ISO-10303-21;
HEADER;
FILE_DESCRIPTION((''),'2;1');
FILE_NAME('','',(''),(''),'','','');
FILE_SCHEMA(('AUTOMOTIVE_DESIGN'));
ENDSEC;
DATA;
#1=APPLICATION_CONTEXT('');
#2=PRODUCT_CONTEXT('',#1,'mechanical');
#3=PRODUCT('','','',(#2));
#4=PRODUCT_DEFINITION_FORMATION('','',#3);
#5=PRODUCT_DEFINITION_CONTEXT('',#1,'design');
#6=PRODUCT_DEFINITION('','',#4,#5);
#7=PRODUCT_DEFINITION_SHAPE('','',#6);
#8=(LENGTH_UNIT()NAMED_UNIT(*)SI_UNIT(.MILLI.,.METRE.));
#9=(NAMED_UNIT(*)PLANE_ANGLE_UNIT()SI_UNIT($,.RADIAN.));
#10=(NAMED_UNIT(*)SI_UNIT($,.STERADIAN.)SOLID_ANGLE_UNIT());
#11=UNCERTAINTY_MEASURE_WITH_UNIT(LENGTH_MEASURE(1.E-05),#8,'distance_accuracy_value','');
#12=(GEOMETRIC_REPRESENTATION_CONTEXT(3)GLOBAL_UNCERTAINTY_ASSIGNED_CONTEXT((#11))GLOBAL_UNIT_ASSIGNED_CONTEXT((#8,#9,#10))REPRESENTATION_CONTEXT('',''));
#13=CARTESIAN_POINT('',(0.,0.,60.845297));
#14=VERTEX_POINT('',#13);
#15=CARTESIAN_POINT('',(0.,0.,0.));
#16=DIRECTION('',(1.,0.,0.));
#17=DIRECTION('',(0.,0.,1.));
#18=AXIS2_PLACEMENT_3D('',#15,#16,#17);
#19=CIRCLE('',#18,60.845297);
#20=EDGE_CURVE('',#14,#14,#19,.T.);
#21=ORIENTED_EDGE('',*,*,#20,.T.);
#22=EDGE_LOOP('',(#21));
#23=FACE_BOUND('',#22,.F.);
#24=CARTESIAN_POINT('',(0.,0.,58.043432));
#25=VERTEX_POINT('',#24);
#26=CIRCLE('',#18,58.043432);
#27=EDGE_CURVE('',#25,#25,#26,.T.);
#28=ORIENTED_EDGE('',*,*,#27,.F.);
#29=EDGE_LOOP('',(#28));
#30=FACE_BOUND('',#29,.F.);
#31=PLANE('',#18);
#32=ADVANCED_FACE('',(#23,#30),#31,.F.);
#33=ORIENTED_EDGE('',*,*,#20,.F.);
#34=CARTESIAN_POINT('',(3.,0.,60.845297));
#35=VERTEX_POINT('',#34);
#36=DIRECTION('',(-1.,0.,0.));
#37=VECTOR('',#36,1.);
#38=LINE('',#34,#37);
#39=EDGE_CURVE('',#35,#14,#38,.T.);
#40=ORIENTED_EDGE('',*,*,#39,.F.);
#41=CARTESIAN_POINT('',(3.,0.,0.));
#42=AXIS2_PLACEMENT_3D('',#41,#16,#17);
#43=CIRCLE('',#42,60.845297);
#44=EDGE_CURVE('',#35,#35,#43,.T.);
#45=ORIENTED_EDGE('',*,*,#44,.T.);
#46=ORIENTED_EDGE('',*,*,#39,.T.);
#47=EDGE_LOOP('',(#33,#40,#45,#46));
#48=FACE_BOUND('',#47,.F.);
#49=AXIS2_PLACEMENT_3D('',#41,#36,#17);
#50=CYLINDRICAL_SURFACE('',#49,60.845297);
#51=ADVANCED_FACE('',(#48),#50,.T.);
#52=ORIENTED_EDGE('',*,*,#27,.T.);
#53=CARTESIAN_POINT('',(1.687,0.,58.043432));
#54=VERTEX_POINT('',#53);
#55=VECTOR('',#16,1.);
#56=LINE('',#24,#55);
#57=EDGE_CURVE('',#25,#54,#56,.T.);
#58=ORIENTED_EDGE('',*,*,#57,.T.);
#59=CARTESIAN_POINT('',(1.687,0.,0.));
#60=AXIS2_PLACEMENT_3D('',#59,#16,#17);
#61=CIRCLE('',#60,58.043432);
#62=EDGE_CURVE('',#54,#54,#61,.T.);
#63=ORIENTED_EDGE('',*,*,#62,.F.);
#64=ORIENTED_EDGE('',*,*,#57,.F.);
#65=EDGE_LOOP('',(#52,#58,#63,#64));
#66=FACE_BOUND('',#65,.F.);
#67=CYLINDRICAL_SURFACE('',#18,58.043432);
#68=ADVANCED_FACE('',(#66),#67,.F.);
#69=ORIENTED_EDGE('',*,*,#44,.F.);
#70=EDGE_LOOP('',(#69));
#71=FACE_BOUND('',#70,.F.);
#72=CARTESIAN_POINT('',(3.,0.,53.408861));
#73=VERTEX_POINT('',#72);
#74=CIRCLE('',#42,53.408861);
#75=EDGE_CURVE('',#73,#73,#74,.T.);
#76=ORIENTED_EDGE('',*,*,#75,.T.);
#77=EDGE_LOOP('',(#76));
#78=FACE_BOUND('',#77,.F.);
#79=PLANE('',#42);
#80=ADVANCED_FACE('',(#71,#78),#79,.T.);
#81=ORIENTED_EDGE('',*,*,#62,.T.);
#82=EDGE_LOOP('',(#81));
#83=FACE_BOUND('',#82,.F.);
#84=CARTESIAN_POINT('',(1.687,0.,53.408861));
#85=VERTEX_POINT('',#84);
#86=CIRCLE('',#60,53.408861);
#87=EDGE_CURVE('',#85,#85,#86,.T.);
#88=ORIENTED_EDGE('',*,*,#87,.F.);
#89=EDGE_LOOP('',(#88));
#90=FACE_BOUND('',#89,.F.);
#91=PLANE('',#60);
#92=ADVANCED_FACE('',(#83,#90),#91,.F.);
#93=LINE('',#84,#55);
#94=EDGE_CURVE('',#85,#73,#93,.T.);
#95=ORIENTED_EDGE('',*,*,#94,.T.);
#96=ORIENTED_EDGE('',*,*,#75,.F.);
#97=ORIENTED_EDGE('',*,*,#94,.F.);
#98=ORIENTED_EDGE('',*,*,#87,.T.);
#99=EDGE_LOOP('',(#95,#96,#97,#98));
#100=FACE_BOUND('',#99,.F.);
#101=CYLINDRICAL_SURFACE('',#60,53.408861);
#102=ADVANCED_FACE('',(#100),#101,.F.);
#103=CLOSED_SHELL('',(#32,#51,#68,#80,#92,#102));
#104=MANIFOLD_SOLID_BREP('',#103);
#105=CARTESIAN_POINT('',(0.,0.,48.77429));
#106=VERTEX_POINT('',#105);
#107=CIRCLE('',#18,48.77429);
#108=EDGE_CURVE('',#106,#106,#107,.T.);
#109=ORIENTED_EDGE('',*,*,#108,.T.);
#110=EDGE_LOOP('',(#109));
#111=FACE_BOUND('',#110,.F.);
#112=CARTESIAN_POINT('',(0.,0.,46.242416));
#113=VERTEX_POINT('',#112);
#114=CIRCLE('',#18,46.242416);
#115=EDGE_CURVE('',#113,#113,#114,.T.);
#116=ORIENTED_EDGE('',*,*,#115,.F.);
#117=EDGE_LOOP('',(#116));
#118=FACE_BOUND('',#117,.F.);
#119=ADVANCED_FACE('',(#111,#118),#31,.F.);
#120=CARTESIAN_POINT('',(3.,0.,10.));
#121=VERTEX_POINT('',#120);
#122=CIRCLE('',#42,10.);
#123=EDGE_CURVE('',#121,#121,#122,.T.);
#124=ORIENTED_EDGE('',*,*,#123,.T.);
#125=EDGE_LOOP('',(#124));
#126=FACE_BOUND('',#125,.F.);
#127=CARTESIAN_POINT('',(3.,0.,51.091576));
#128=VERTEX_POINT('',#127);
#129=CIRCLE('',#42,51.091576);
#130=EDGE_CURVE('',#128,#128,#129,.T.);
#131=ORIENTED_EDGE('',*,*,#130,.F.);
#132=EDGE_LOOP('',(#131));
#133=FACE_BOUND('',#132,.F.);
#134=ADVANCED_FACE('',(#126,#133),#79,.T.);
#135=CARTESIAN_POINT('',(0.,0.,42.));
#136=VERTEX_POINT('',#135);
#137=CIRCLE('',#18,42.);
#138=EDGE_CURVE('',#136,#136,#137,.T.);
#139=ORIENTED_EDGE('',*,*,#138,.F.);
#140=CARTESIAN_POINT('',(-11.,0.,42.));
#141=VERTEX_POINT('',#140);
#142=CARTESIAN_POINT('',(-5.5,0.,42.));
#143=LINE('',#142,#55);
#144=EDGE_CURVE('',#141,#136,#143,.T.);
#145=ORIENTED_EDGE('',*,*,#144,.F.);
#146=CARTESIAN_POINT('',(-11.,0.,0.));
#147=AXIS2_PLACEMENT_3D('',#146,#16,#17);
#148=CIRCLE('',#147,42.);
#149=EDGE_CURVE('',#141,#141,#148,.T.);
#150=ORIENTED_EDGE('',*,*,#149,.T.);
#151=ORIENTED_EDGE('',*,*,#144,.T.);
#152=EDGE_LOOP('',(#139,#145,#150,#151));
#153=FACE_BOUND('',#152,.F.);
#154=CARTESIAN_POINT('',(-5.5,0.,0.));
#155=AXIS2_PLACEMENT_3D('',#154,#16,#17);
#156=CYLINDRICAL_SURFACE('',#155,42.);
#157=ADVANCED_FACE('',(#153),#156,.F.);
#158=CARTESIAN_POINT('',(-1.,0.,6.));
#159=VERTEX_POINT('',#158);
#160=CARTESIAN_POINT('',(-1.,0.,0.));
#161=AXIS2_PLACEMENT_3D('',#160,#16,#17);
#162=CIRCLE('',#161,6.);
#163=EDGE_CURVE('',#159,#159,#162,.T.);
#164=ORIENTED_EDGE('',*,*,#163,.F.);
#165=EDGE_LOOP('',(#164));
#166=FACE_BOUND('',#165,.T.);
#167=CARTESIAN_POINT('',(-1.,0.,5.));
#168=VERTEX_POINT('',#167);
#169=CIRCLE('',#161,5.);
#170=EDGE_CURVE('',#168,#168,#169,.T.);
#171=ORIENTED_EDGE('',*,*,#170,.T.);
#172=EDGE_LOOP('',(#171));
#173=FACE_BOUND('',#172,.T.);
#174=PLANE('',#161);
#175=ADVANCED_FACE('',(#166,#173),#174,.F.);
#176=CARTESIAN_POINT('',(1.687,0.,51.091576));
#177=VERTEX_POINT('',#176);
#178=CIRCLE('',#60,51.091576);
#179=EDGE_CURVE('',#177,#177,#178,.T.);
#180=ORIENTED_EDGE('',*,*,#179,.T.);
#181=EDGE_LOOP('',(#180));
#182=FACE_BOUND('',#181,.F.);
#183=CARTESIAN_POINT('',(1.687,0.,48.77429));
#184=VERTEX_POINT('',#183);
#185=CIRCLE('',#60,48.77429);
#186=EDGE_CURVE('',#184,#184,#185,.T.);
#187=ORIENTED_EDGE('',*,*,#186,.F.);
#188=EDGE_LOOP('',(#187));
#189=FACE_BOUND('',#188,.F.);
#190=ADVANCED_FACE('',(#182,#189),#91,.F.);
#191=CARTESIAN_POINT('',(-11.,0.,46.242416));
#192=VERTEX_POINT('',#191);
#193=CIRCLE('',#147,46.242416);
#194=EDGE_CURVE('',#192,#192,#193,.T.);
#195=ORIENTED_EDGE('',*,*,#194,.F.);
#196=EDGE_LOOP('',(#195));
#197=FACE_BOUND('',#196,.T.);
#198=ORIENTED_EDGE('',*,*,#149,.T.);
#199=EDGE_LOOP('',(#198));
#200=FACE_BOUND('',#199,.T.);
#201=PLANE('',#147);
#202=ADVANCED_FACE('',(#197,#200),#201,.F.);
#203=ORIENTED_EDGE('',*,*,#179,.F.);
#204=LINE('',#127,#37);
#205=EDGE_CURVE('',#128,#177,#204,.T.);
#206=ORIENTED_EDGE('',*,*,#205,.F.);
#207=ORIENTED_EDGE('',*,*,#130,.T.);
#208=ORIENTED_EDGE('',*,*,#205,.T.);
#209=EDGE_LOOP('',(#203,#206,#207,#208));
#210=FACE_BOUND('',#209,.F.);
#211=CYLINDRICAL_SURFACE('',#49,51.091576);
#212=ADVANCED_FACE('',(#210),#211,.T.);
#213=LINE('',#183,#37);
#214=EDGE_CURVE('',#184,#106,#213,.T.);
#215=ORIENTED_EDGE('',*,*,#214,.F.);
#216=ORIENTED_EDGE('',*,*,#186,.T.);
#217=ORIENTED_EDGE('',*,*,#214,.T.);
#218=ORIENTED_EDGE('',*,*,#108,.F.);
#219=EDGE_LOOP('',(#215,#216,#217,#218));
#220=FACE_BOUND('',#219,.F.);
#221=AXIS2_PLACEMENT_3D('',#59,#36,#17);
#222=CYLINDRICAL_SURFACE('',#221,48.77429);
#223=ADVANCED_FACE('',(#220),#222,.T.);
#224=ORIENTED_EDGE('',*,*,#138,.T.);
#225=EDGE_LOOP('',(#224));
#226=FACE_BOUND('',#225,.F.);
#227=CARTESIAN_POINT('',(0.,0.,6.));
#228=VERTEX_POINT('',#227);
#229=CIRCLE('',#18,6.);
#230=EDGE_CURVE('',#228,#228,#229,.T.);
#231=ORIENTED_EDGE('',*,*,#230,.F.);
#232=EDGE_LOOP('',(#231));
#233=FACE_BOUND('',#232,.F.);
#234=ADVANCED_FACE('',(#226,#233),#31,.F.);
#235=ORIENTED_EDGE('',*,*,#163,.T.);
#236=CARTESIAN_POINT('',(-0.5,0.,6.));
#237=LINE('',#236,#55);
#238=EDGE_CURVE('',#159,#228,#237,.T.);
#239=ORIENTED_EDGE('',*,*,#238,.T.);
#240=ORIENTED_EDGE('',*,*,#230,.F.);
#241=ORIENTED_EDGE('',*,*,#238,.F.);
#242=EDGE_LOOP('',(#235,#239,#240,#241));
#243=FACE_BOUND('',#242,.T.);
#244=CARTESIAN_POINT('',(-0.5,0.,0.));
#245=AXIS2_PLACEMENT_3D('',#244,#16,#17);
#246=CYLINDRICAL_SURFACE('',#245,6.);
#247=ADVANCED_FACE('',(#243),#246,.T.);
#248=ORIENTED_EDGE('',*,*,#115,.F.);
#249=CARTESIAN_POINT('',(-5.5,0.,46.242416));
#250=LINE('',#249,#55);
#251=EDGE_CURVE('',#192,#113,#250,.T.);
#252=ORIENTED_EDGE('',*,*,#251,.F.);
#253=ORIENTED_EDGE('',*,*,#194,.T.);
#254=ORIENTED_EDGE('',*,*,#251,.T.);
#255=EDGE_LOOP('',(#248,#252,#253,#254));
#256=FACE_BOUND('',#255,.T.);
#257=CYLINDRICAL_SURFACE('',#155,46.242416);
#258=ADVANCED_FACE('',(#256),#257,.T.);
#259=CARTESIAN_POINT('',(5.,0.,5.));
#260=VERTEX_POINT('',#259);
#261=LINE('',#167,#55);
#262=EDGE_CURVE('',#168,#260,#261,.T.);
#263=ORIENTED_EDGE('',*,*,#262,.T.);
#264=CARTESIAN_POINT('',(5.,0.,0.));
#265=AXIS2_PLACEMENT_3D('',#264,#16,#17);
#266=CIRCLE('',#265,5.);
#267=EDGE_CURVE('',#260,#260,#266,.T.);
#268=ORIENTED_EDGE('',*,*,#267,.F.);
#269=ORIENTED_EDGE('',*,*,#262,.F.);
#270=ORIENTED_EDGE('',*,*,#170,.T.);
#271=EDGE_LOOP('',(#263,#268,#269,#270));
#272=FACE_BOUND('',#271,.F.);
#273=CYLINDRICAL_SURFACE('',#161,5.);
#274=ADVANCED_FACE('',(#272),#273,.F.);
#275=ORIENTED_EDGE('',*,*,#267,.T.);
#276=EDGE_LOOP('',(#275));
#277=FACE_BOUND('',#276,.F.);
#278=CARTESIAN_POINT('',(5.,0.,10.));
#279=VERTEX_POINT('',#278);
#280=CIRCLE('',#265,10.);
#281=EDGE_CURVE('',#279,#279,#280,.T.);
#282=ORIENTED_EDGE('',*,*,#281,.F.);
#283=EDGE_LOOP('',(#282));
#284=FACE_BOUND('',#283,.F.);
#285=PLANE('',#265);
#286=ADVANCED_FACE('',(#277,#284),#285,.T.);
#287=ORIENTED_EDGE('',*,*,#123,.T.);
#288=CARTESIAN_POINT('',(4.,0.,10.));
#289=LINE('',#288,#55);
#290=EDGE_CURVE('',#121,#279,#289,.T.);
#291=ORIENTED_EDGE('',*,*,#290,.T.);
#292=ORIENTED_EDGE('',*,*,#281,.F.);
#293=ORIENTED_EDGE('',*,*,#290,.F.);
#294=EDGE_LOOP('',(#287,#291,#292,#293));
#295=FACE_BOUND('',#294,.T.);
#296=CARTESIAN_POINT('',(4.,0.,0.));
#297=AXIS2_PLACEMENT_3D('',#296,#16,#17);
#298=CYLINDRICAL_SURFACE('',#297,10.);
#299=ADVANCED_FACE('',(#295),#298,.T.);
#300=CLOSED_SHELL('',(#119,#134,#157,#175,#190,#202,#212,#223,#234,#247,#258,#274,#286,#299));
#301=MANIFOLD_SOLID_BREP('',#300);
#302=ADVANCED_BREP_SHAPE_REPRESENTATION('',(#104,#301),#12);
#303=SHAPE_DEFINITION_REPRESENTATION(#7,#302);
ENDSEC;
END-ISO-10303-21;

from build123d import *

# Parameters (mm, degrees)
F0_W   = 1
F0_H   = 1
F0_W_2 = 2
F0_H_2 = 5
F0_W_3 = 11
F0_H_3 = 4.242416


with BuildPart() as f1:
    # F0 (on Front) → F1 (revolve)
    with BuildSketch(Plane.XZ):
        Polygon((1.687, 53.408861), (3, 53.408861), (3, 60.845297), (0, 60.845297), (0, 58.043432), (1.687, 58.043432), align=None)
        with Locations((-0.5, 5.5)):
            Rectangle(F0_W, F0_H)
        Polygon((0, 48.77429), (0, 46.242416), (0, 42), (0, 6), (0, 5), (3, 5), (3, 10), (3, 51.091576), (1.687, 51.091576), (1.687, 48.77429), align=None)
        with Locations((4, 7.5)):
            Rectangle(F0_W_2, F0_H_2)
        with Locations((-5.5, 44.121208)):
            Rectangle(F0_W_3, F0_H_3)
    revolve(axis=Axis((2.94186, 0, 0), (1, 0, 0)))


solid = f1.part
